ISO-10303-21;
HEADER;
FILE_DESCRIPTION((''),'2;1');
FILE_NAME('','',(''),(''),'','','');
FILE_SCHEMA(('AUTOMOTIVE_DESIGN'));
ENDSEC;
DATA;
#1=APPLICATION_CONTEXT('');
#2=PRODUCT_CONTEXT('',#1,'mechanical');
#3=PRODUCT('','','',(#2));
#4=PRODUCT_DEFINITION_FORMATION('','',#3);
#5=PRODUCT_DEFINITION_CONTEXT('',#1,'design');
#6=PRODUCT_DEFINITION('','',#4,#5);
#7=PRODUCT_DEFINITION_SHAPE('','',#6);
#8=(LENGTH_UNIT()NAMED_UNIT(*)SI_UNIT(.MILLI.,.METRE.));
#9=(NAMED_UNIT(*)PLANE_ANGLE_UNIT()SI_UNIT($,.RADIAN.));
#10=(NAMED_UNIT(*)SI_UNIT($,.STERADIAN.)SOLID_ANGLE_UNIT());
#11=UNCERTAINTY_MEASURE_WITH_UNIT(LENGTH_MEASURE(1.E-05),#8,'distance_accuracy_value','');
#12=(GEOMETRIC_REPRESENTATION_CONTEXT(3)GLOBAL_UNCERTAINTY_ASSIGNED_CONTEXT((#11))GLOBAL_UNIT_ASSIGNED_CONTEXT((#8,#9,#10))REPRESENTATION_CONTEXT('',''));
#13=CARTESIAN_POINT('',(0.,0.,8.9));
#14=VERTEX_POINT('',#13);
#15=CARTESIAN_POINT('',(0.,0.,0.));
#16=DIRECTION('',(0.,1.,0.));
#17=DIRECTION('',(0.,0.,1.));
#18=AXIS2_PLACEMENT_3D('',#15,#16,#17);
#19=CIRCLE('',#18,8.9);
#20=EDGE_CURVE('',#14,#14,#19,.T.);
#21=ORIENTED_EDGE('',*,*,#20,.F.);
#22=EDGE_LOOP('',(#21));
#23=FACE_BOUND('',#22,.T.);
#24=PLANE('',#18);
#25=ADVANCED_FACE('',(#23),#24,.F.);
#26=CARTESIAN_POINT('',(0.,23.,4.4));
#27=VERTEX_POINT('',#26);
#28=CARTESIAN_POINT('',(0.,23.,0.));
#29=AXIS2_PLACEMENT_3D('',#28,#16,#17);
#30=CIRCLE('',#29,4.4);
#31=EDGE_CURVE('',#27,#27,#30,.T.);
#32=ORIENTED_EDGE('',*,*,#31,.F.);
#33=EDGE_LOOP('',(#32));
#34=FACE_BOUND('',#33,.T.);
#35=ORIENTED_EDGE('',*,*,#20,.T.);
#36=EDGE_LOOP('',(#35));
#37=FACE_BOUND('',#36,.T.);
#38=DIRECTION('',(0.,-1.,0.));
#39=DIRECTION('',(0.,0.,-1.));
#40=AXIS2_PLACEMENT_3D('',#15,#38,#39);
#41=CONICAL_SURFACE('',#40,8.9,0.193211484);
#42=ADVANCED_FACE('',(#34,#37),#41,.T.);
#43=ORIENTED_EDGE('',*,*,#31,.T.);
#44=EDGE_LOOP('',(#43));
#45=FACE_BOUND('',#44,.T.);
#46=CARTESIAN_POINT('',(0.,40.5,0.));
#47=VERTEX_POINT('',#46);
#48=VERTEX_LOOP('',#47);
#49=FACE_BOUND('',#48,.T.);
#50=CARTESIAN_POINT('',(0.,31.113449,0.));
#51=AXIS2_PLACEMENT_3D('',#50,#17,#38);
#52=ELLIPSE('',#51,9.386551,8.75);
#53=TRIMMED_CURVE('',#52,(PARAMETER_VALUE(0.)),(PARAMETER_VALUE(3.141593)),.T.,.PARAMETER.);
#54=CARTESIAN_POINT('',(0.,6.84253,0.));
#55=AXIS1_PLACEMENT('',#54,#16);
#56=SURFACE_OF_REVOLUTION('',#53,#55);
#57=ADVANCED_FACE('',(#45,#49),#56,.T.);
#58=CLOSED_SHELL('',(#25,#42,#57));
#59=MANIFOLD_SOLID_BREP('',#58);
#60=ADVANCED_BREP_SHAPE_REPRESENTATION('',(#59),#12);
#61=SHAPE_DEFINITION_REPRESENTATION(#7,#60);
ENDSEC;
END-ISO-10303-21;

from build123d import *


with BuildPart() as part:
    # Esquisse1 → Révolution1 (revolve)
    with BuildSketch(Plane.XY, mode=Mode.PRIVATE) as r_volution1_sk:
        with BuildLine():
            Line((0, 0), (8.9, 0))
            Line((8.9, 0), (4.4, 23))
            add(Edge.make_bspline(
                [(4.4, 23), (32.441089218, 40.5), (0, 40.5)],
                knots=[0.526901074, 0.526901074, 0.526901074, 3.141592654, 3.141592654, 3.141592654], degree=2, weights=[1, 0.260413579, 1]))
            Line((0, 40.5), (0, 0))
        make_face()
    revolve(r_volution1_sk.sketch.rotate(Axis((0, 6.842529865, 0), (0, -1, 0)), 90), axis=Axis((0, 6.842529865, 0), (0, -1, 0)))


solid = part.part
